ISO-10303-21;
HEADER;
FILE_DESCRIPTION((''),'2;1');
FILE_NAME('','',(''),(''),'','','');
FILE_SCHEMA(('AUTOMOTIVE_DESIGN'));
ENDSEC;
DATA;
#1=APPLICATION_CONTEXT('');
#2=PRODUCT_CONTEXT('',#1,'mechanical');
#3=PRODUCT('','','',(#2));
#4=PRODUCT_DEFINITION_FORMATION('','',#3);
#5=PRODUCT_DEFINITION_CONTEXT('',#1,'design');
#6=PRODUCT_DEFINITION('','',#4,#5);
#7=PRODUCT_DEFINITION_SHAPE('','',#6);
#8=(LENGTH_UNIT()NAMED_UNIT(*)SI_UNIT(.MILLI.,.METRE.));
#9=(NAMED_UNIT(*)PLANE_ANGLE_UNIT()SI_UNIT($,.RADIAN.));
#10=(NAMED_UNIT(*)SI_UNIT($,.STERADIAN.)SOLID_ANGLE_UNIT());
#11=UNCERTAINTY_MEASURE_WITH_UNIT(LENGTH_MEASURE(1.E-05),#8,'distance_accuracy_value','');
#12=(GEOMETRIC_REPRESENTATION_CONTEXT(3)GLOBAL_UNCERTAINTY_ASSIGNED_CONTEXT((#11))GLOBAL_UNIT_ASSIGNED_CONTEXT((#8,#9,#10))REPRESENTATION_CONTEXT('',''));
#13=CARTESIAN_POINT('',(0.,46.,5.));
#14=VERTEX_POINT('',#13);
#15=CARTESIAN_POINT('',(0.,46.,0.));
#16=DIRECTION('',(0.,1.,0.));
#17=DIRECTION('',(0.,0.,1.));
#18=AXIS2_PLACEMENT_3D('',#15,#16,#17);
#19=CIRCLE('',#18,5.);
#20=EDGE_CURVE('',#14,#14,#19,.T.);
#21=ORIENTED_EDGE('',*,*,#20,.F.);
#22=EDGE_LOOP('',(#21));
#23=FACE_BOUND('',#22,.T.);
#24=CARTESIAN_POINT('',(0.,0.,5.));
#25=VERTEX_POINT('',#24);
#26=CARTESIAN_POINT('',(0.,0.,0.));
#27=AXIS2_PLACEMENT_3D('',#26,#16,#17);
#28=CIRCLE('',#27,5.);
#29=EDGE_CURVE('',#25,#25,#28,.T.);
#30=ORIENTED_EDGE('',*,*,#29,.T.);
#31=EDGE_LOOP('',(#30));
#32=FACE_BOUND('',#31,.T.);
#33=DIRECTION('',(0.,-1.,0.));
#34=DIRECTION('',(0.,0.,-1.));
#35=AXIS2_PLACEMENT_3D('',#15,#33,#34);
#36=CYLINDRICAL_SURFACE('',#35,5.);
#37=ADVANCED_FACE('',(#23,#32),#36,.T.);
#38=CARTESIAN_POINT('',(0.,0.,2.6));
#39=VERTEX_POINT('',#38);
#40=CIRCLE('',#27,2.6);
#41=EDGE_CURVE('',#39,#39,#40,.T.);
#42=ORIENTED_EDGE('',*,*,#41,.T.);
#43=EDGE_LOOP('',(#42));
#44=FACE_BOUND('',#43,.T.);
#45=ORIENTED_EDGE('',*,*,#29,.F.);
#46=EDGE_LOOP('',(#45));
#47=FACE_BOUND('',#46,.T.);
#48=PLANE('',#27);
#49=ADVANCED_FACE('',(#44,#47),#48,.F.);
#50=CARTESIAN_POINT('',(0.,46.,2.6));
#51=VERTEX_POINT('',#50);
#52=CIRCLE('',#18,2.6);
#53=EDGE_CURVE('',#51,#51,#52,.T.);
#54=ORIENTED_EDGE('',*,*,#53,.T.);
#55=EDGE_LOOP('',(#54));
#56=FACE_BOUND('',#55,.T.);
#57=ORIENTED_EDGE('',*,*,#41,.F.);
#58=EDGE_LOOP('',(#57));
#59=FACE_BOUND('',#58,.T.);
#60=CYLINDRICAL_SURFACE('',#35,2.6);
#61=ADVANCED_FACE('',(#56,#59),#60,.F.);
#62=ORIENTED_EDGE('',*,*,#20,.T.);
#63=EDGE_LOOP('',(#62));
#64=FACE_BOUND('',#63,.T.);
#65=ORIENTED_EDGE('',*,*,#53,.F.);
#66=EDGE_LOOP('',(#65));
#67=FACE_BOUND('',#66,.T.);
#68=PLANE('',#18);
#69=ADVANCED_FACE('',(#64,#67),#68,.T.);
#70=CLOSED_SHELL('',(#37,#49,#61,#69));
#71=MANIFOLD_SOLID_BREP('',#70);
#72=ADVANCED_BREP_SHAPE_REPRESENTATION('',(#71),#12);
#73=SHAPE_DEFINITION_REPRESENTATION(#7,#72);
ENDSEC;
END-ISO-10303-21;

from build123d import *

# Parameters (mm, degrees)
SKETCH1_R           = 5
SKETCH1_R_2         = 2.6
BOSS_EXTRUDE1_DEPTH = 46


with BuildPart() as part:
    # Sketch1 → Boss-Extrude1 (new body)
    with BuildSketch(Plane(origin=(0, 0, 0), x_dir=(1, 0, 0), z_dir=(0, 1, 0))):
        with Locations(Location((0, 0, 0), (0, 0, 270))):
            Circle(SKETCH1_R)
        with Locations(Location((0, 0, 0), (0, 0, 270))):
            Circle(SKETCH1_R_2, mode=Mode.SUBTRACT)
    extrude(amount=BOSS_EXTRUDE1_DEPTH)


solid = part.part
